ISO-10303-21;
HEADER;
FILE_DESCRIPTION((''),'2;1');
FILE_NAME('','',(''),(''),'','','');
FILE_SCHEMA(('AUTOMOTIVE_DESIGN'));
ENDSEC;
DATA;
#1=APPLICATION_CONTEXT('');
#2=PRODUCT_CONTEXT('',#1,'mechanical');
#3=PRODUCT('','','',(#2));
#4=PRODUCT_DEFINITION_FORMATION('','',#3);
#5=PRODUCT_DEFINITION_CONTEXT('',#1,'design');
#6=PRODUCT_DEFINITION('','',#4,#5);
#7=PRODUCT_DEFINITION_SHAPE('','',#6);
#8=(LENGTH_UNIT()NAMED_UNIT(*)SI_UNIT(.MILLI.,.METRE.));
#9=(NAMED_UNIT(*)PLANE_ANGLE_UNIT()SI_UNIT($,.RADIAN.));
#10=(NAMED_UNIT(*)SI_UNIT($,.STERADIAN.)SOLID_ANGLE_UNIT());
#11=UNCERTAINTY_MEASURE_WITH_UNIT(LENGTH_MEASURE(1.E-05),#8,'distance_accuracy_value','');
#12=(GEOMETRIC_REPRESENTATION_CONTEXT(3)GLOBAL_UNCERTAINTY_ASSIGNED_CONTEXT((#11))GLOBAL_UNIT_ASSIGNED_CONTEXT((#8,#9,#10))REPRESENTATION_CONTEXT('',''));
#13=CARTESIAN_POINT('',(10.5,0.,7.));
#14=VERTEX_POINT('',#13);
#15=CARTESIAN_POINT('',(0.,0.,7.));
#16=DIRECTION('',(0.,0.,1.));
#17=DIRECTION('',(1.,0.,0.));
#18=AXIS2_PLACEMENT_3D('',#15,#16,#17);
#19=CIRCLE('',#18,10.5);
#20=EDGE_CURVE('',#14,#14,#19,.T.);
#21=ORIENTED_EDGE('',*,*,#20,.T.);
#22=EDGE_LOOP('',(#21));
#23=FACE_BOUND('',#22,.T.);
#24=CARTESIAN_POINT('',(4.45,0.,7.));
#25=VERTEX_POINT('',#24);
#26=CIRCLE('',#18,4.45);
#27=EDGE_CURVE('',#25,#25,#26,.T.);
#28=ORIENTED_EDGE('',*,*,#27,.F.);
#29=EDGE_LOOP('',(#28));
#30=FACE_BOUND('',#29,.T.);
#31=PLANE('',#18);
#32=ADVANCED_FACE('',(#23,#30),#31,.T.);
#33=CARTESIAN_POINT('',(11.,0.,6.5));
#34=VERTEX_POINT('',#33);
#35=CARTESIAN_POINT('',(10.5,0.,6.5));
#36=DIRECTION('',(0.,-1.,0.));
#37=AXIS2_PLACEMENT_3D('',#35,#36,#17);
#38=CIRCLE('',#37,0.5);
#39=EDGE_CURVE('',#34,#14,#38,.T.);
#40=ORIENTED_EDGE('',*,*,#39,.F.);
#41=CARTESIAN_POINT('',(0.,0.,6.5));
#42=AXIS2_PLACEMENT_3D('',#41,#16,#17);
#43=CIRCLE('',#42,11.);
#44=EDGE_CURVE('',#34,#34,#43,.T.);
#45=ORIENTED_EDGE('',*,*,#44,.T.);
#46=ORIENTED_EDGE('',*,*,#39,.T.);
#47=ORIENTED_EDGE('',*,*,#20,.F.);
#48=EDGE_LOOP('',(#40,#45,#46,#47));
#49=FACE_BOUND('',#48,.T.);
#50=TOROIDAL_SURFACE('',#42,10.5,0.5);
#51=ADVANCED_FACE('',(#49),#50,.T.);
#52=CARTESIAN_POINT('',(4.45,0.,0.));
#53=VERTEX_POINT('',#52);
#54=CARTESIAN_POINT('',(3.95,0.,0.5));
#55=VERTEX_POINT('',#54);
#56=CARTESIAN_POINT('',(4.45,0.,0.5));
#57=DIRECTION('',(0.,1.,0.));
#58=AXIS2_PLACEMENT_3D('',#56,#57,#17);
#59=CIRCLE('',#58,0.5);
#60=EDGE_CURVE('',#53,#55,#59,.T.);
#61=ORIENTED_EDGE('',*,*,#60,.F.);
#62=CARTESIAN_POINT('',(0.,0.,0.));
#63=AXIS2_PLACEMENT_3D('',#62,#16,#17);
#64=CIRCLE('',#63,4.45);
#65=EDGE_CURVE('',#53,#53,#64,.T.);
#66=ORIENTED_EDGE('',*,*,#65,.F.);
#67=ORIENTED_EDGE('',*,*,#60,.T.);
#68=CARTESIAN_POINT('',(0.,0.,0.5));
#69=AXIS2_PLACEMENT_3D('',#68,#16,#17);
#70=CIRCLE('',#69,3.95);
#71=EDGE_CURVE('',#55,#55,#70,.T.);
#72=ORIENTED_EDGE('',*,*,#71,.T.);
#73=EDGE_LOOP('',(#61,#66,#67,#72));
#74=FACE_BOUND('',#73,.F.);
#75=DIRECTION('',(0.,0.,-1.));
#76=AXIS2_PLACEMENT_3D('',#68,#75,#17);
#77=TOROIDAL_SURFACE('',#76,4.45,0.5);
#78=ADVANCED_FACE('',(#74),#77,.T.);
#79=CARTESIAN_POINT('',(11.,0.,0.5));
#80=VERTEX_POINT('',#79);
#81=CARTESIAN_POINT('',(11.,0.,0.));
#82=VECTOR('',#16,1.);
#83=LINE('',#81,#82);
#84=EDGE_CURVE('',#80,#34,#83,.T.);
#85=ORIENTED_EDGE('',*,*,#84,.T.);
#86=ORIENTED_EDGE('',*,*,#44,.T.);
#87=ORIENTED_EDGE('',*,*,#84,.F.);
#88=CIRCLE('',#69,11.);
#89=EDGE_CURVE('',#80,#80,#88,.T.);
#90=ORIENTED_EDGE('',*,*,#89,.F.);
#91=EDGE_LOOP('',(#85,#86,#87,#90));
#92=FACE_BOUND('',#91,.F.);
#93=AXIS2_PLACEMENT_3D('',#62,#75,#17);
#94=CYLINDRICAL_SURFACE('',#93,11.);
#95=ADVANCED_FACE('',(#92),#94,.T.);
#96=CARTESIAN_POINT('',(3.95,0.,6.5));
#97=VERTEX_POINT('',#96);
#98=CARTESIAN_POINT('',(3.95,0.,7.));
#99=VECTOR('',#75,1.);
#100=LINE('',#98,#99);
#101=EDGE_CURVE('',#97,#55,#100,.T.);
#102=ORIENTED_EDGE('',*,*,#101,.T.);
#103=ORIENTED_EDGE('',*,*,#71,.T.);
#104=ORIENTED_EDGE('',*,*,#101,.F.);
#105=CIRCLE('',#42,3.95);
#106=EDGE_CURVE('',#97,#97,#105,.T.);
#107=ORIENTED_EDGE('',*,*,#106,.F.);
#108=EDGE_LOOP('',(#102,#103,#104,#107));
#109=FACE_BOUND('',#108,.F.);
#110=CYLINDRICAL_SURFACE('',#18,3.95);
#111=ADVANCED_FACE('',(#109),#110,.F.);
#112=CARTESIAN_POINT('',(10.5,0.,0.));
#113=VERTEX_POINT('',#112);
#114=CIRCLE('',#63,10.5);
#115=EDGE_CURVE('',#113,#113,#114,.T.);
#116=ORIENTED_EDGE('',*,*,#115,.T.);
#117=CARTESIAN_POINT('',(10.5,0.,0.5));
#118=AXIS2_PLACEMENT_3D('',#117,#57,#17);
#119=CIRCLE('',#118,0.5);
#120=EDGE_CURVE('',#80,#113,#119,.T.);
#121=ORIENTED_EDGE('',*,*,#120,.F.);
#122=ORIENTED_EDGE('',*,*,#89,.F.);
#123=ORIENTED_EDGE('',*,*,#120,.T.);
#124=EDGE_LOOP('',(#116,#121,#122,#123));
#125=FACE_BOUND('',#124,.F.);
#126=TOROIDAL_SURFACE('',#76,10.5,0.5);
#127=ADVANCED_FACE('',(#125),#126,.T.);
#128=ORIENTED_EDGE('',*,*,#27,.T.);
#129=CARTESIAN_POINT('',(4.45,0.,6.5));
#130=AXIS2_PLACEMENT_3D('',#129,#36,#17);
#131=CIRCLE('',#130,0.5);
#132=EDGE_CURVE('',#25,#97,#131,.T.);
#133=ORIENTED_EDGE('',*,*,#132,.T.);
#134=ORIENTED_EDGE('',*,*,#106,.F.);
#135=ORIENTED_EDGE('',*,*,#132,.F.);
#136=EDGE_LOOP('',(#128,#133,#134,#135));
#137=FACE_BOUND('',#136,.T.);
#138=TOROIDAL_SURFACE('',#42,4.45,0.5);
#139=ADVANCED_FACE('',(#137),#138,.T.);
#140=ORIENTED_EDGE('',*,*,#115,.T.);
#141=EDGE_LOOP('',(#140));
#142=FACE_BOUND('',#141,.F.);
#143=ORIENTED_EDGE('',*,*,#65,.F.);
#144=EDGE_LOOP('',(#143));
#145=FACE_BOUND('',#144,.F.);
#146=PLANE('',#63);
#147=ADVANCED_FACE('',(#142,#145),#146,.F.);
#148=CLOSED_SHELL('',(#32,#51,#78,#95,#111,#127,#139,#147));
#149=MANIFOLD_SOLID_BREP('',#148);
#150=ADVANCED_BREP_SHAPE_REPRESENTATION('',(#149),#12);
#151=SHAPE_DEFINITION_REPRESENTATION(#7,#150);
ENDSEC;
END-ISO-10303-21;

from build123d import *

# Parameters (mm, degrees)
F0_R     = 11
F1_DEPTH = 7
F2_R     = 3.95
F3_DEPTH = 7.001
F4_R     = 0.5


with BuildPart() as f1:
    # F0 (on Top) → F1 (new body)
    with BuildSketch(Plane.XY):
        Circle(F0_R)
    extrude(amount=F1_DEPTH)

    # F2 (on face) → F3 (cut, through all)
    with BuildSketch(Plane.XY.offset(7)):
        Circle(F2_R)
    extrude(amount=-F3_DEPTH, mode=Mode.SUBTRACT)

    # F4
    f4_edges = [f1.edges().sort_by_distance(p)[0] for p in [
        (-11, 0, 7),
        (-3.95, 0, 7),
        (-11, 0, 0),
        (-3.95, 0, 0),
    ]]
    fillet(f4_edges, radius=F4_R)


solid = f1.part
